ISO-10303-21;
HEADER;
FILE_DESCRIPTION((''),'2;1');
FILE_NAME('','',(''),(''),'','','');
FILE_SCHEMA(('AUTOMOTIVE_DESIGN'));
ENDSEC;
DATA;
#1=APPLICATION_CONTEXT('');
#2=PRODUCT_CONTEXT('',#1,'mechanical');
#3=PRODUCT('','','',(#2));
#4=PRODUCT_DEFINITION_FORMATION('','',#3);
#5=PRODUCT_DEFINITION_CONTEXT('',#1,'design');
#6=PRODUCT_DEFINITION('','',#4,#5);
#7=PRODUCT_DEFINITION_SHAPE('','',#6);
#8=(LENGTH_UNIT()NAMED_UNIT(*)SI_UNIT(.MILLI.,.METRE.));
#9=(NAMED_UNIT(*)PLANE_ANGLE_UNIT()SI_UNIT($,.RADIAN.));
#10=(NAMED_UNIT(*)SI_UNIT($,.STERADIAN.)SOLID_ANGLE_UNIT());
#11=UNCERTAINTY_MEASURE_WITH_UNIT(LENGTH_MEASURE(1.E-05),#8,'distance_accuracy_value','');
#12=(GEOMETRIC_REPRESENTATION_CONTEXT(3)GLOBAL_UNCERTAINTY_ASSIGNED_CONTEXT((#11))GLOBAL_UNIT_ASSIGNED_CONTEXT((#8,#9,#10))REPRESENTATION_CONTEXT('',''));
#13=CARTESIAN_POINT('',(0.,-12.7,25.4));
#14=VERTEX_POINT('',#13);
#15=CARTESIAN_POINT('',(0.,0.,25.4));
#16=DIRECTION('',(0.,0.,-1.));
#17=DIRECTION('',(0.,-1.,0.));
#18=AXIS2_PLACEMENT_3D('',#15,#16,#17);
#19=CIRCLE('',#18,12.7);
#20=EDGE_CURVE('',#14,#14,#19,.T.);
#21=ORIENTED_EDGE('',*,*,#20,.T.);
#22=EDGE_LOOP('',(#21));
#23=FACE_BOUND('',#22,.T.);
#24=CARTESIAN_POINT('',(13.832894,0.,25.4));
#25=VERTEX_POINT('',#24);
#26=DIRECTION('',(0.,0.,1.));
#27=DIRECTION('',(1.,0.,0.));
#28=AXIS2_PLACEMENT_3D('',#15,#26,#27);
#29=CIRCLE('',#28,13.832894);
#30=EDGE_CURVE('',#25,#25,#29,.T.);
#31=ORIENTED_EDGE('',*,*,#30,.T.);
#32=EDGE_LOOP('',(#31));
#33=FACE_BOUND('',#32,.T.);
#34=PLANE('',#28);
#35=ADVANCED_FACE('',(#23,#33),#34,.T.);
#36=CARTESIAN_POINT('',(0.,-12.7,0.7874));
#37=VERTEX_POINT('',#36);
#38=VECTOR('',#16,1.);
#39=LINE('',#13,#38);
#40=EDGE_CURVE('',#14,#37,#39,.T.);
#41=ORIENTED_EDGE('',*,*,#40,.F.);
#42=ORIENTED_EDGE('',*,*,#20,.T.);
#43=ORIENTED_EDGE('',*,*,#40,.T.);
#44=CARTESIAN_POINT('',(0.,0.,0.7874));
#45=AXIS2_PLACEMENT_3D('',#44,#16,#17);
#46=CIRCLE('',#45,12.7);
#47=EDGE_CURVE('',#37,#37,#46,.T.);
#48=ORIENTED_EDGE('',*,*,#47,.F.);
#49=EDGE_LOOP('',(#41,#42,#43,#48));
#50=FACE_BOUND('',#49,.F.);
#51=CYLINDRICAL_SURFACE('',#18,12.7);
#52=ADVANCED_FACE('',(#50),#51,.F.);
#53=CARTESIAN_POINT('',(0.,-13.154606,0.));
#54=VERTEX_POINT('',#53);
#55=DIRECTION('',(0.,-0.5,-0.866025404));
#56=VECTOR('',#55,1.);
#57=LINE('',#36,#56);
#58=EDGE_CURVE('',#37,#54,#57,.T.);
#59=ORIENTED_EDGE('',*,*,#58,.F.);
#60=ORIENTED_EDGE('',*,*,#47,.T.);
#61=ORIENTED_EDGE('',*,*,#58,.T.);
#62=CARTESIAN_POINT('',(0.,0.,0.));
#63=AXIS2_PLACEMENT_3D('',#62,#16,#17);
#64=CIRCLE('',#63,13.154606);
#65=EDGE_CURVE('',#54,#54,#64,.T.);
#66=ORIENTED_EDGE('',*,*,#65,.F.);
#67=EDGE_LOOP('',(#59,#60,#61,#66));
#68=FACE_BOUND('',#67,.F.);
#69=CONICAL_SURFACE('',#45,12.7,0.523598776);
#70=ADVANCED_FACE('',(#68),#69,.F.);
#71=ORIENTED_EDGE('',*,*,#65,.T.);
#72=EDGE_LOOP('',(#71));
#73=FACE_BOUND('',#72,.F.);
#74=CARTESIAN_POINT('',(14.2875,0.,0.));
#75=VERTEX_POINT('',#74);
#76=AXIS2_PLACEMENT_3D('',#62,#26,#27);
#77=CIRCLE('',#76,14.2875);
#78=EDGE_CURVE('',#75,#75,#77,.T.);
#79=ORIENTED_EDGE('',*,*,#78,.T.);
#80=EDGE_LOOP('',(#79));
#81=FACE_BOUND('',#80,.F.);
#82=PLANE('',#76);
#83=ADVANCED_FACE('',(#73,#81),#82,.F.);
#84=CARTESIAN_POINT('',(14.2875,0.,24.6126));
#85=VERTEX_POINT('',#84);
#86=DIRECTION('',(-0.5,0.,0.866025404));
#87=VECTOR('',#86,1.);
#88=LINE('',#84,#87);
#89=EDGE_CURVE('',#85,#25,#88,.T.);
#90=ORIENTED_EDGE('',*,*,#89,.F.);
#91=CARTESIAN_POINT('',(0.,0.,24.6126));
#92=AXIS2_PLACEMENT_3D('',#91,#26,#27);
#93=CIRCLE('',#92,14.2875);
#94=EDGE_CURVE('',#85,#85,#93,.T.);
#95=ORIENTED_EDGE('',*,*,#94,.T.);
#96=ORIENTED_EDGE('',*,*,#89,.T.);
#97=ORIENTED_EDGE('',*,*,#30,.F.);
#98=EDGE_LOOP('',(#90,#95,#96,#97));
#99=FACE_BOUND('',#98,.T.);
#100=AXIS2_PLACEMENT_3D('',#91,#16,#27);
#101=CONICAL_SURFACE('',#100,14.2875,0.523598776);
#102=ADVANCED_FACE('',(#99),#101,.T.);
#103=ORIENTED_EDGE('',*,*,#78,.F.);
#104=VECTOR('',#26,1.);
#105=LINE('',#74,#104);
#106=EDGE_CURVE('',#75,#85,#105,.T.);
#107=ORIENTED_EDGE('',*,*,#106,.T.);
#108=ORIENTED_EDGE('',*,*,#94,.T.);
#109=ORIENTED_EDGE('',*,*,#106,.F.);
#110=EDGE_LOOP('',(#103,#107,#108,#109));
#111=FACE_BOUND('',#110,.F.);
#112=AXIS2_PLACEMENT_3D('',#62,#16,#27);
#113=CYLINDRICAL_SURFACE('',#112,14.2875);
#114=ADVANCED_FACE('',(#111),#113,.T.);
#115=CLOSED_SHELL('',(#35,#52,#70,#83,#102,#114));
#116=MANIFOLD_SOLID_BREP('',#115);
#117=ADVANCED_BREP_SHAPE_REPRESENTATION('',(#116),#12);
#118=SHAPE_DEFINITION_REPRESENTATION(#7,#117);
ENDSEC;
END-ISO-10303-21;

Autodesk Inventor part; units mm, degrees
ref_plane "YZ Plane" through (0, 0, 0) normal (1, 0, 0) x (0, 1, 0)
ref_plane "XZ Plane" through (0, 0, 0) normal (0, 1, 0) x (-1, 0, 0)
ref_plane "XY Plane" through (0, 0, 0) normal (0, 0, 1) x (1, 0, 0)
sketch "Sketch1" plane through (0, 0, 0) normal (0, 0, 1) x (1, 0, 0)
  circle A0 centre (0, 0) radius 14.2875
  dimension "d0" = 28.575
extrude "Body" add sketch "Sketch1" along normal blind 25.4
hole "Hole" at (0, 0, 25.4) direction (0, 0, -1) diameter 25.4 end through all
chamfer "Chamfer - Outside" distance 0.7874 angle 30 1 edges at (-14.2875, 0, 25.4) measured on face at (14.2412, -1.1497, 16.9333)
chamfer "Chamfer - Inside" distance 0.7874 angle 30 1 edges at (0, 12.7, 0) measured on face at (1.0219, -12.6588, 16.9333)
properties part number "JSI-1618-16" material "iglide J"
